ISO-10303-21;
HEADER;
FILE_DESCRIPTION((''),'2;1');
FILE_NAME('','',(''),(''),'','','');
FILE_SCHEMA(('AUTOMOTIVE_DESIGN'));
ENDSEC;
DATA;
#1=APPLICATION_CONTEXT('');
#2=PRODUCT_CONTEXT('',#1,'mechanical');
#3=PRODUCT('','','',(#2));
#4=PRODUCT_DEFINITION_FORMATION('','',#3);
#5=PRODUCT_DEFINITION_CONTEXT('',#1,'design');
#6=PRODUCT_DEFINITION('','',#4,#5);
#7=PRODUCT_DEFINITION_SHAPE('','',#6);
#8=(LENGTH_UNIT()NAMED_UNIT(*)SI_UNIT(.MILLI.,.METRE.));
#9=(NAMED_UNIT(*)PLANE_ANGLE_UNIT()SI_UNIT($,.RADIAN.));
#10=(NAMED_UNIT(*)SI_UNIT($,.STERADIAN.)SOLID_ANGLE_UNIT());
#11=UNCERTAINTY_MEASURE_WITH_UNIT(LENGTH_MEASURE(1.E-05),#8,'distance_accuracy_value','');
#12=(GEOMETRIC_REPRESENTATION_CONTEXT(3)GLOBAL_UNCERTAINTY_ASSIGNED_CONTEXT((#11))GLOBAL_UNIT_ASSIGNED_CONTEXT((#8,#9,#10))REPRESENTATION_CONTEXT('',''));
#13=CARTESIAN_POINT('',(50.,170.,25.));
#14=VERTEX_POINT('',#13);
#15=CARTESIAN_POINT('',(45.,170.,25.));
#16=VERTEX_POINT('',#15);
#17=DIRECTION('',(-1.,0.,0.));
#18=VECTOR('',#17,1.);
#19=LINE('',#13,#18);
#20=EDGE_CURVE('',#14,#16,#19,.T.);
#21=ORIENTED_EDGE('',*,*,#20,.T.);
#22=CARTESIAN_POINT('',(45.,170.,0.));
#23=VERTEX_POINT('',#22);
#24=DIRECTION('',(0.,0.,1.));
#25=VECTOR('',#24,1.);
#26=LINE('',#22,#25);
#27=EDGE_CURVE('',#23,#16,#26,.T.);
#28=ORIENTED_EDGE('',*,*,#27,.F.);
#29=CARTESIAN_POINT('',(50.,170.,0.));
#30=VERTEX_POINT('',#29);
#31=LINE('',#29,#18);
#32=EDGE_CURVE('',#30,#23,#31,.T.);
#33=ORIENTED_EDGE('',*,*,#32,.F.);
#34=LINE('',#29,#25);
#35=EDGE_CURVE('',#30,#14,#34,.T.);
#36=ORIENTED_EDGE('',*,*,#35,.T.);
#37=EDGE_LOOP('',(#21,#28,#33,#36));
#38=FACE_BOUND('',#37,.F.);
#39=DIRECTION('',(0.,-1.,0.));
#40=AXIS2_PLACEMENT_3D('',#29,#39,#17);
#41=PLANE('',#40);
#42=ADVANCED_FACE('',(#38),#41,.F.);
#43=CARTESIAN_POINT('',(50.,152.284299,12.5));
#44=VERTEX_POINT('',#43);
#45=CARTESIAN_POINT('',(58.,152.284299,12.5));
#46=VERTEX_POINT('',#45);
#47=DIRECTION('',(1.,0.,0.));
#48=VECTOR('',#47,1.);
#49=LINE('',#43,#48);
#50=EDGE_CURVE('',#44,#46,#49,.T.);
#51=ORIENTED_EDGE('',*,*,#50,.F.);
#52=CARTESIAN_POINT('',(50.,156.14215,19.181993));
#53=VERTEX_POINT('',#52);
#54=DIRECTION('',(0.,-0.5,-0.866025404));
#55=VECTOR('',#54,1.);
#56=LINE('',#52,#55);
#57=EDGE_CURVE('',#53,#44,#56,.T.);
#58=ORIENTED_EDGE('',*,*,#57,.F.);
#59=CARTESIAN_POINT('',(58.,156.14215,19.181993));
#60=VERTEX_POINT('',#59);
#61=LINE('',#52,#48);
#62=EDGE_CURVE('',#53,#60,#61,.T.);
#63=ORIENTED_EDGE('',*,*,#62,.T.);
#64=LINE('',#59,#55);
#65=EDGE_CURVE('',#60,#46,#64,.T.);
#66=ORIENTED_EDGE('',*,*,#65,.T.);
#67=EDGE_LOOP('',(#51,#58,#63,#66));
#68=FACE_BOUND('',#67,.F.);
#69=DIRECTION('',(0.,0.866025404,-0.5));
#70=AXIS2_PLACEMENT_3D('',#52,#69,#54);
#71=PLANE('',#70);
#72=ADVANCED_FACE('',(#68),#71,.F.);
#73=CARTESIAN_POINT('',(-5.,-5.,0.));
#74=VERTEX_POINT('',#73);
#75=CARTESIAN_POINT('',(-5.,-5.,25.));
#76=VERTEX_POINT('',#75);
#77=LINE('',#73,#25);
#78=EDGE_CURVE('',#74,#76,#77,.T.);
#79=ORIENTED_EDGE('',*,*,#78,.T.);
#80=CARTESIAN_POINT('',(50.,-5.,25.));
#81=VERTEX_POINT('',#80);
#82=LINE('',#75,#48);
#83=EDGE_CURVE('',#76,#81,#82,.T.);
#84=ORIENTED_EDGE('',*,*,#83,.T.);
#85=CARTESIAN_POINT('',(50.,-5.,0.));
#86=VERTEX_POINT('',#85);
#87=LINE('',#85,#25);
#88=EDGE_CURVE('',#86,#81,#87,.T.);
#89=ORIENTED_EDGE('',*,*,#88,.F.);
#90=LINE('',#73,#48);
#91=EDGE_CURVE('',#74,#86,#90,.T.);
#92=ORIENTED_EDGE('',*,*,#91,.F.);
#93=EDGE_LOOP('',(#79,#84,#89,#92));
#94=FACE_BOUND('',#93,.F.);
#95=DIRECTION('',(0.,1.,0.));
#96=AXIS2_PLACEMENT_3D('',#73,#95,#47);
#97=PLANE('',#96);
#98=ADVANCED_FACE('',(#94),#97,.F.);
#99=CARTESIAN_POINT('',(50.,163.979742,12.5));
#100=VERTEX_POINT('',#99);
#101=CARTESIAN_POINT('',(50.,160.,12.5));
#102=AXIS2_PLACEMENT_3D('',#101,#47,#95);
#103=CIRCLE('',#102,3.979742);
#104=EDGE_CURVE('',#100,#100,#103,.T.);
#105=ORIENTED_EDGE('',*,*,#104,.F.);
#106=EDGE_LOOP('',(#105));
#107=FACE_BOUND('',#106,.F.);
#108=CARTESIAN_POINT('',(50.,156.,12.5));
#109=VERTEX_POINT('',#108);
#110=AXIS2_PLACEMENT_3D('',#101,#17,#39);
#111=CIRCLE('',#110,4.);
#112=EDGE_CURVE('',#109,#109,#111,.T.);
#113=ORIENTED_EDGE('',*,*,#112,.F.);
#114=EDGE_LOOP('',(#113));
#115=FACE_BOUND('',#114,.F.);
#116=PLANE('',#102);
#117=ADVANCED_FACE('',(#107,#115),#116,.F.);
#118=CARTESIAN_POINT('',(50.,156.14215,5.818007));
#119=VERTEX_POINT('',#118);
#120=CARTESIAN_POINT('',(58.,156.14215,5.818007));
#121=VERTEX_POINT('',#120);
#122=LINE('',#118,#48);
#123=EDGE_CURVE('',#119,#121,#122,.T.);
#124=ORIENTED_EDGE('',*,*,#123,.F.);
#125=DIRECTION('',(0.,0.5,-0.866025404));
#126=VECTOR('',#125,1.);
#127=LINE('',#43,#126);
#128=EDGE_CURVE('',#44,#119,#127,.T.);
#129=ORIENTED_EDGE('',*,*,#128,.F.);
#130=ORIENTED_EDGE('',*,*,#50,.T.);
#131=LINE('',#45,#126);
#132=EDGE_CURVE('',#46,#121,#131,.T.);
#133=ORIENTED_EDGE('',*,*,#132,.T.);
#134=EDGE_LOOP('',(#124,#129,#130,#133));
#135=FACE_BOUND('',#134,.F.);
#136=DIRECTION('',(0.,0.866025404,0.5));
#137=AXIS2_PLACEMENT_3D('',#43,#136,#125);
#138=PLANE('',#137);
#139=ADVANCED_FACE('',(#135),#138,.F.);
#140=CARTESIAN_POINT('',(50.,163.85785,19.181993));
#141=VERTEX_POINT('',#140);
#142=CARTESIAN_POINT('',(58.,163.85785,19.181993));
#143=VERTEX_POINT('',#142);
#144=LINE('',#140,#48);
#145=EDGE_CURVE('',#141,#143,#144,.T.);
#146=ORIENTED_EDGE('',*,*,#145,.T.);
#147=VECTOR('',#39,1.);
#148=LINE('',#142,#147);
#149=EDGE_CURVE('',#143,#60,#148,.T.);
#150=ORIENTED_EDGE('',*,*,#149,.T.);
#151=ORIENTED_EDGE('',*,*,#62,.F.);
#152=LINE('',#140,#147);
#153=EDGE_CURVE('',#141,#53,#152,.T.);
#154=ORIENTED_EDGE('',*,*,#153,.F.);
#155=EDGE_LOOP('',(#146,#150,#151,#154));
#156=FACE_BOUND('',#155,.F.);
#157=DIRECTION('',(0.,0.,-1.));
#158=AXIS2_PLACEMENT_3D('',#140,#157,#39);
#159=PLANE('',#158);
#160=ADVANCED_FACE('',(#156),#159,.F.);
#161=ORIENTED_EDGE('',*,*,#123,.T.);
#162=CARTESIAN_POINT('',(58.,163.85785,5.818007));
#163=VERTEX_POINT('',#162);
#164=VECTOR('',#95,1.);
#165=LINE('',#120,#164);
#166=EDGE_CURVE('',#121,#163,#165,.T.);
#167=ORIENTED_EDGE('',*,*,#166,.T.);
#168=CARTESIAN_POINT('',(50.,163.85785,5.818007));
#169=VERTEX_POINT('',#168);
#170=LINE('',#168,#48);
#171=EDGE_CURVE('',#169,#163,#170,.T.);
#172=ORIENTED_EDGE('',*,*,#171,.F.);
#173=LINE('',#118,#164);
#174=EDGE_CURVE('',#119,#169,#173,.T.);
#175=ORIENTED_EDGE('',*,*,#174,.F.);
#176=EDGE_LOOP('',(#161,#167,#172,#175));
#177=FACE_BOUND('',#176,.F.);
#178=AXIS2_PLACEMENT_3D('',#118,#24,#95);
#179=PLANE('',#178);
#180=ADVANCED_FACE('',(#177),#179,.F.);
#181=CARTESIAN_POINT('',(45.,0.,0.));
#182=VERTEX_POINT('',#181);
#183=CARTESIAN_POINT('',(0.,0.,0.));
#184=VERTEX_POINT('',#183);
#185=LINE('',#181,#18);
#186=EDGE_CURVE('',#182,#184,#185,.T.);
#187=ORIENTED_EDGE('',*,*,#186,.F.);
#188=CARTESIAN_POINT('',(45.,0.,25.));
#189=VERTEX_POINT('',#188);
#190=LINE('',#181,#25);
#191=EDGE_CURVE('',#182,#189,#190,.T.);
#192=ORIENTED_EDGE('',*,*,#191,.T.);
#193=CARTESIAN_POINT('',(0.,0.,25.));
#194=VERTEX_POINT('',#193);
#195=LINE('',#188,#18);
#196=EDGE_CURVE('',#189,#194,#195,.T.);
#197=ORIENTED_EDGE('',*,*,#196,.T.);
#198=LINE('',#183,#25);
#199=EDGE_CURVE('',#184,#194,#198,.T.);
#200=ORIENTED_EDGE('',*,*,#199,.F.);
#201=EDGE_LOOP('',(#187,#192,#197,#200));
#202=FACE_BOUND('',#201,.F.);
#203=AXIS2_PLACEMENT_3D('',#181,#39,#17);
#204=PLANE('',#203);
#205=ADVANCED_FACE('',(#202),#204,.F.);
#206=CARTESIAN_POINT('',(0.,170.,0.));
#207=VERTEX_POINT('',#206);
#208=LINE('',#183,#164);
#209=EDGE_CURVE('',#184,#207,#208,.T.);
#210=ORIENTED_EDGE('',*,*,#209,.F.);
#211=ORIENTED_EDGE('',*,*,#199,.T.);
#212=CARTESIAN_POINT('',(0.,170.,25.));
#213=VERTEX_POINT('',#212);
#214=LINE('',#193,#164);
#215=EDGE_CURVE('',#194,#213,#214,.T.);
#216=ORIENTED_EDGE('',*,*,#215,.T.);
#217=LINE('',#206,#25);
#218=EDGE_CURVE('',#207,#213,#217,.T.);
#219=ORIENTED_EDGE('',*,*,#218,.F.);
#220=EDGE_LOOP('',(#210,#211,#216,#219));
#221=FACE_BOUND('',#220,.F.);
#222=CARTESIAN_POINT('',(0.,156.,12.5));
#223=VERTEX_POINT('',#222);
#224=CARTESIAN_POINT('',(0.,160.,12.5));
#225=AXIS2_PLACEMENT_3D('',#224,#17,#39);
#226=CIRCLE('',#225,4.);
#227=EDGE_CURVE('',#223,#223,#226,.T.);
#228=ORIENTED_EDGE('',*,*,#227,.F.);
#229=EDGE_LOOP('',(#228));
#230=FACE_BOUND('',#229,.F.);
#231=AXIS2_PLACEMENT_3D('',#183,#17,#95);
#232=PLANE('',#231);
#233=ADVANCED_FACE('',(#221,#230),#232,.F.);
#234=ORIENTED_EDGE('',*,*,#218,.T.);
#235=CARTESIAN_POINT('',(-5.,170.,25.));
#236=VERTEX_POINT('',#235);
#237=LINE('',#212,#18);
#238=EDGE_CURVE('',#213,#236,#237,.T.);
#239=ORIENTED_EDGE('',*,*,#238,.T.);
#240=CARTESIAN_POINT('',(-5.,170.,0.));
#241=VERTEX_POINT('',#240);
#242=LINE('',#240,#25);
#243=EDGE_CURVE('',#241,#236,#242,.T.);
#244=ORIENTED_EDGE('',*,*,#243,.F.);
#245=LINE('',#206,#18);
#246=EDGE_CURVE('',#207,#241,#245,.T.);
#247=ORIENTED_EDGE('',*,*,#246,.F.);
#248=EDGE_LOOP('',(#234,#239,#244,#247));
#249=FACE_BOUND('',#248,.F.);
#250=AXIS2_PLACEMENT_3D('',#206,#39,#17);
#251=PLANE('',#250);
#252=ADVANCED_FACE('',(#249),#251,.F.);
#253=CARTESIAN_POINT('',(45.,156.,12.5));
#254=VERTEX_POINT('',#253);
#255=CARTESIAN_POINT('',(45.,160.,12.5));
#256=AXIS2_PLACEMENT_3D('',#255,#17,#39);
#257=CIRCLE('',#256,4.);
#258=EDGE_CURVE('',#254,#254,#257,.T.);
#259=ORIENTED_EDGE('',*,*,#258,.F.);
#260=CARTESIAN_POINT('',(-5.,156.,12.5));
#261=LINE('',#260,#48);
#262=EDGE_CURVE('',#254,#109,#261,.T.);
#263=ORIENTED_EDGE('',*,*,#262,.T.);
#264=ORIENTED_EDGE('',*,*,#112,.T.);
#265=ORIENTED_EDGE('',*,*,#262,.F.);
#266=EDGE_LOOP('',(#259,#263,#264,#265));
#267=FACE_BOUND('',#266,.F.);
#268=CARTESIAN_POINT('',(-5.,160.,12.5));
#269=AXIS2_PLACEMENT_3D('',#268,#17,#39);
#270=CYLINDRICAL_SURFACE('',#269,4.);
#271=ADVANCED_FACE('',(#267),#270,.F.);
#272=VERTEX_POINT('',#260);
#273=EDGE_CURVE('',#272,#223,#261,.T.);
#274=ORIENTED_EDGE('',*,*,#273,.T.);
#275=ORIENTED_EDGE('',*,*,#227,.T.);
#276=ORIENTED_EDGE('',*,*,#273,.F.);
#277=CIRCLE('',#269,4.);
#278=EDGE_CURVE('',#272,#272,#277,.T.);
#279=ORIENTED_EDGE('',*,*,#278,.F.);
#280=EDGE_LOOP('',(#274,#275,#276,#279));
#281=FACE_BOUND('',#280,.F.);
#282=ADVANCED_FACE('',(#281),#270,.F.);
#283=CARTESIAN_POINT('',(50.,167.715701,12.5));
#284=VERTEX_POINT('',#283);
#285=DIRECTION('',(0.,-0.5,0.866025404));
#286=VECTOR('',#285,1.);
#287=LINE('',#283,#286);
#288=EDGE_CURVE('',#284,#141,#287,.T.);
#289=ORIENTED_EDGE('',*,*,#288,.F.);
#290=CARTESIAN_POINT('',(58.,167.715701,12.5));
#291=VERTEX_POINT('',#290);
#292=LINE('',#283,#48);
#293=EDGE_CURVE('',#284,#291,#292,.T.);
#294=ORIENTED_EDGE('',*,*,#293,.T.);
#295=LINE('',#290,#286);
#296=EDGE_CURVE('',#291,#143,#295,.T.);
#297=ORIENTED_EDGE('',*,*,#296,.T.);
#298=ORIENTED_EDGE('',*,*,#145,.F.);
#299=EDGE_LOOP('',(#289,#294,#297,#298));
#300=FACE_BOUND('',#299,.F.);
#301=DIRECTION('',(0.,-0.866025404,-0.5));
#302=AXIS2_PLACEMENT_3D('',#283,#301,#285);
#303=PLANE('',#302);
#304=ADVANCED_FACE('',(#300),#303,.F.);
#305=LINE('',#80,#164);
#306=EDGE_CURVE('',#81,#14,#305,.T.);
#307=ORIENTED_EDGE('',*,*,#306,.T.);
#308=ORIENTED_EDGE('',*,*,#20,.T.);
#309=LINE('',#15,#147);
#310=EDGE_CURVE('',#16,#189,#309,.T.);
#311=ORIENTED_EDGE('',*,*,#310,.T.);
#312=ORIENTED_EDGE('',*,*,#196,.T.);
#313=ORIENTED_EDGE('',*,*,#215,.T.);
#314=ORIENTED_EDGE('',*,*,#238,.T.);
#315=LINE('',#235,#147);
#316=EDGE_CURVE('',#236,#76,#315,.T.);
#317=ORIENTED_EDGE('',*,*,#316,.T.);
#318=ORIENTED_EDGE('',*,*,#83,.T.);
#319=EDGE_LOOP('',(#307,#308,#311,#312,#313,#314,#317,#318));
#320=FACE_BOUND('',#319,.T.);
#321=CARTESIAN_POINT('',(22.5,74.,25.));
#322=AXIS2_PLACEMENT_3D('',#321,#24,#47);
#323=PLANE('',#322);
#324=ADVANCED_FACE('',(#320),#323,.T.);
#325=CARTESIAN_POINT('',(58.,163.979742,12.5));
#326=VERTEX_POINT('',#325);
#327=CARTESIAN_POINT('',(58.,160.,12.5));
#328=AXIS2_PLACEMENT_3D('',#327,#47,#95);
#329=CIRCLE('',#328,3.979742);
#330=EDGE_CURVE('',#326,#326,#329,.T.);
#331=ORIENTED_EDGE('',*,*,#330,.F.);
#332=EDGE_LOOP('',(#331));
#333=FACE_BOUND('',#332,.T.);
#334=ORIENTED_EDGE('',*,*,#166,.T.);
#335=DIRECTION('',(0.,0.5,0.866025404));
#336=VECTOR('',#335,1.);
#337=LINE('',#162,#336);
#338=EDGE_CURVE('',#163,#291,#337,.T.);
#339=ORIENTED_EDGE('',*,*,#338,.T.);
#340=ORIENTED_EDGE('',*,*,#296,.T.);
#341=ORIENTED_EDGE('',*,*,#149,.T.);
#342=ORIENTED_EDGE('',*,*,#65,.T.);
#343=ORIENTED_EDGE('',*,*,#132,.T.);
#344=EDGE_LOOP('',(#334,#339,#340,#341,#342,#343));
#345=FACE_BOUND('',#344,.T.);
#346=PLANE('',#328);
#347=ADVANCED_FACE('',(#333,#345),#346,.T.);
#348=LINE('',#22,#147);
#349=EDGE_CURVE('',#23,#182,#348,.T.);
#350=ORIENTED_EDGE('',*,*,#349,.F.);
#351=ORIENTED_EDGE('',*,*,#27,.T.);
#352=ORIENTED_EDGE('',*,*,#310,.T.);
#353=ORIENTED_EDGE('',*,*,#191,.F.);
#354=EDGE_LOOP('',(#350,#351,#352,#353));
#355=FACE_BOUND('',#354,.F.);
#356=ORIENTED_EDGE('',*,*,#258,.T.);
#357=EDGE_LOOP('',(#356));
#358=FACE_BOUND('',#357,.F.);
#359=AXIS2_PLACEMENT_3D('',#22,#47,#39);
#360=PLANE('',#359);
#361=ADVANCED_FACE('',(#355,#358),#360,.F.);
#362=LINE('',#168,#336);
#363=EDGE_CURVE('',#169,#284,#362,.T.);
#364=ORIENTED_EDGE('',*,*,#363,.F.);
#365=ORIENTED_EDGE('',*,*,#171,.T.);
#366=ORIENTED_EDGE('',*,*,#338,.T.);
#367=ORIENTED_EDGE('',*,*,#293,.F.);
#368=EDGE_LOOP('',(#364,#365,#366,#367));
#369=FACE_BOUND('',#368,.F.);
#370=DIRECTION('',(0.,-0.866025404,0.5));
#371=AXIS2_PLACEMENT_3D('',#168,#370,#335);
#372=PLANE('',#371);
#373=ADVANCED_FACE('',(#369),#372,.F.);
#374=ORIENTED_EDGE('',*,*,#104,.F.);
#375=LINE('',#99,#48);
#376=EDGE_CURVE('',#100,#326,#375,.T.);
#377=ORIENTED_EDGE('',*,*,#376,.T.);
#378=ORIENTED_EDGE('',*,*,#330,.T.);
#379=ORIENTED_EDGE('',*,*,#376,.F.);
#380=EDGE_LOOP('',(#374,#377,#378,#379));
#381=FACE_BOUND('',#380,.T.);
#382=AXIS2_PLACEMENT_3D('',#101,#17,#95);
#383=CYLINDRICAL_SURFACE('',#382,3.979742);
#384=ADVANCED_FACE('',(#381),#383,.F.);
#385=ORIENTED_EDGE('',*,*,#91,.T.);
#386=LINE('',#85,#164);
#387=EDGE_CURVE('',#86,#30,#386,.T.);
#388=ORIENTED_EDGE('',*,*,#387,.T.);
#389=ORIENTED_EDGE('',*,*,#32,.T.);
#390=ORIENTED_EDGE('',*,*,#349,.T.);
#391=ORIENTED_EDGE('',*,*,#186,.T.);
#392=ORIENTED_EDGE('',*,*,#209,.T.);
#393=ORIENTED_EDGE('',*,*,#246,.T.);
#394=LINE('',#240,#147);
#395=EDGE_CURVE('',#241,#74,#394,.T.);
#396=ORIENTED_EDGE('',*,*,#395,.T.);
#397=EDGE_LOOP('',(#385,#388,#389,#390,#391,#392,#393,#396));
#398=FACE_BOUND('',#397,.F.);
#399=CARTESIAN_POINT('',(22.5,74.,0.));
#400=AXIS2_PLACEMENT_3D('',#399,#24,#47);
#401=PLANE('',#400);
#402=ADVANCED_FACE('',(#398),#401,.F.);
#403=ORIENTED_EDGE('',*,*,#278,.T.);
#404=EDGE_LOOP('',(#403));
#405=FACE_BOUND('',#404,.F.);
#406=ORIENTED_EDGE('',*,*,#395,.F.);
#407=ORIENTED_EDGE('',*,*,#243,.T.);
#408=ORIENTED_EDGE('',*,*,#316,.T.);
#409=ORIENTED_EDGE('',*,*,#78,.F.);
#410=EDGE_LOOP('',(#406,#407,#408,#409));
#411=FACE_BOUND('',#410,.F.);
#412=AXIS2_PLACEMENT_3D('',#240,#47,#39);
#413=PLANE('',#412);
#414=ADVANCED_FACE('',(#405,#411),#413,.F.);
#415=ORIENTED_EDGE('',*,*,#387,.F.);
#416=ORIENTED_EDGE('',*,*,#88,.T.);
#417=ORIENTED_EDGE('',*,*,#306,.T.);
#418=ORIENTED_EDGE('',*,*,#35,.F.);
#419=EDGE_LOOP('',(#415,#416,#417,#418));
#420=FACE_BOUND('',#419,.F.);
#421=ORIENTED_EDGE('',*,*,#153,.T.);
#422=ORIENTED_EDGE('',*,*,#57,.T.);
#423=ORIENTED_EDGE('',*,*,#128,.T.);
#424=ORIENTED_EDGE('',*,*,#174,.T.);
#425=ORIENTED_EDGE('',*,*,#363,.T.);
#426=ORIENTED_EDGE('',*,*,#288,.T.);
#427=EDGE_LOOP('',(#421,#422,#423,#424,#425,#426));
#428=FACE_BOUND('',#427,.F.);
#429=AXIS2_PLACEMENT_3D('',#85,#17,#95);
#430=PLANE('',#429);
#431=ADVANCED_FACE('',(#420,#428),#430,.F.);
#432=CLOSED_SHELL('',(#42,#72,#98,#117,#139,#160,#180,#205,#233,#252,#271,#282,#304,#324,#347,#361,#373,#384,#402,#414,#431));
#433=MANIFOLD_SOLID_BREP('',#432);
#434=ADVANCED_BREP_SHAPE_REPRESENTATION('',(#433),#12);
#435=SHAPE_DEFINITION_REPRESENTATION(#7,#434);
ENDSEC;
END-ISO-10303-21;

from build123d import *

# Parameters (mm, degrees)
F1_DEPTH = 25
F2_R     = 4
F3_DEPTH = 132.5
F4_R     = 4
F4_R_2   = 3.9797420395
F5_DEPTH = 8


with BuildPart() as f1:
    # F0 (on Top) → F1 (new body)
    with BuildSketch(Plane.XY):
        Polygon((45, 0), (0, 0), (0, 170), (-5, 170), (-5, -5), (50, -5), (50, 170), (45, 170), align=None)
    extrude(amount=F1_DEPTH)

    # F2 (on face) → F3 (cut)
    with BuildSketch(Plane(origin=(-5, 0, 0), x_dir=(0, -1, 0), z_dir=(-1, 0, 0))):
        with Locations((-160, 12.5)):
            Circle(F2_R)
    extrude(amount=-F3_DEPTH, mode=Mode.SUBTRACT)

    # F4 (on face) → F5 (join)
    with BuildSketch(Plane.YZ.offset(50)):
        Polygon((163.8578503757, 19.1819928586), (156.1421496243, 19.1819928586), (152.2842992487, 12.5), (156.1421496243, 5.8180071414), (163.8578503757, 5.8180071414), (167.7157007513, 12.5), align=None)
        with Locations((160, 12.5)):
            Circle(F4_R, mode=Mode.SUBTRACT)
        with Locations((160, 12.5)):
            Circle(F4_R)
        with Locations((160, 12.5)):
            Circle(F4_R_2, mode=Mode.SUBTRACT)
    extrude(amount=F5_DEPTH)


solid = f1.part
